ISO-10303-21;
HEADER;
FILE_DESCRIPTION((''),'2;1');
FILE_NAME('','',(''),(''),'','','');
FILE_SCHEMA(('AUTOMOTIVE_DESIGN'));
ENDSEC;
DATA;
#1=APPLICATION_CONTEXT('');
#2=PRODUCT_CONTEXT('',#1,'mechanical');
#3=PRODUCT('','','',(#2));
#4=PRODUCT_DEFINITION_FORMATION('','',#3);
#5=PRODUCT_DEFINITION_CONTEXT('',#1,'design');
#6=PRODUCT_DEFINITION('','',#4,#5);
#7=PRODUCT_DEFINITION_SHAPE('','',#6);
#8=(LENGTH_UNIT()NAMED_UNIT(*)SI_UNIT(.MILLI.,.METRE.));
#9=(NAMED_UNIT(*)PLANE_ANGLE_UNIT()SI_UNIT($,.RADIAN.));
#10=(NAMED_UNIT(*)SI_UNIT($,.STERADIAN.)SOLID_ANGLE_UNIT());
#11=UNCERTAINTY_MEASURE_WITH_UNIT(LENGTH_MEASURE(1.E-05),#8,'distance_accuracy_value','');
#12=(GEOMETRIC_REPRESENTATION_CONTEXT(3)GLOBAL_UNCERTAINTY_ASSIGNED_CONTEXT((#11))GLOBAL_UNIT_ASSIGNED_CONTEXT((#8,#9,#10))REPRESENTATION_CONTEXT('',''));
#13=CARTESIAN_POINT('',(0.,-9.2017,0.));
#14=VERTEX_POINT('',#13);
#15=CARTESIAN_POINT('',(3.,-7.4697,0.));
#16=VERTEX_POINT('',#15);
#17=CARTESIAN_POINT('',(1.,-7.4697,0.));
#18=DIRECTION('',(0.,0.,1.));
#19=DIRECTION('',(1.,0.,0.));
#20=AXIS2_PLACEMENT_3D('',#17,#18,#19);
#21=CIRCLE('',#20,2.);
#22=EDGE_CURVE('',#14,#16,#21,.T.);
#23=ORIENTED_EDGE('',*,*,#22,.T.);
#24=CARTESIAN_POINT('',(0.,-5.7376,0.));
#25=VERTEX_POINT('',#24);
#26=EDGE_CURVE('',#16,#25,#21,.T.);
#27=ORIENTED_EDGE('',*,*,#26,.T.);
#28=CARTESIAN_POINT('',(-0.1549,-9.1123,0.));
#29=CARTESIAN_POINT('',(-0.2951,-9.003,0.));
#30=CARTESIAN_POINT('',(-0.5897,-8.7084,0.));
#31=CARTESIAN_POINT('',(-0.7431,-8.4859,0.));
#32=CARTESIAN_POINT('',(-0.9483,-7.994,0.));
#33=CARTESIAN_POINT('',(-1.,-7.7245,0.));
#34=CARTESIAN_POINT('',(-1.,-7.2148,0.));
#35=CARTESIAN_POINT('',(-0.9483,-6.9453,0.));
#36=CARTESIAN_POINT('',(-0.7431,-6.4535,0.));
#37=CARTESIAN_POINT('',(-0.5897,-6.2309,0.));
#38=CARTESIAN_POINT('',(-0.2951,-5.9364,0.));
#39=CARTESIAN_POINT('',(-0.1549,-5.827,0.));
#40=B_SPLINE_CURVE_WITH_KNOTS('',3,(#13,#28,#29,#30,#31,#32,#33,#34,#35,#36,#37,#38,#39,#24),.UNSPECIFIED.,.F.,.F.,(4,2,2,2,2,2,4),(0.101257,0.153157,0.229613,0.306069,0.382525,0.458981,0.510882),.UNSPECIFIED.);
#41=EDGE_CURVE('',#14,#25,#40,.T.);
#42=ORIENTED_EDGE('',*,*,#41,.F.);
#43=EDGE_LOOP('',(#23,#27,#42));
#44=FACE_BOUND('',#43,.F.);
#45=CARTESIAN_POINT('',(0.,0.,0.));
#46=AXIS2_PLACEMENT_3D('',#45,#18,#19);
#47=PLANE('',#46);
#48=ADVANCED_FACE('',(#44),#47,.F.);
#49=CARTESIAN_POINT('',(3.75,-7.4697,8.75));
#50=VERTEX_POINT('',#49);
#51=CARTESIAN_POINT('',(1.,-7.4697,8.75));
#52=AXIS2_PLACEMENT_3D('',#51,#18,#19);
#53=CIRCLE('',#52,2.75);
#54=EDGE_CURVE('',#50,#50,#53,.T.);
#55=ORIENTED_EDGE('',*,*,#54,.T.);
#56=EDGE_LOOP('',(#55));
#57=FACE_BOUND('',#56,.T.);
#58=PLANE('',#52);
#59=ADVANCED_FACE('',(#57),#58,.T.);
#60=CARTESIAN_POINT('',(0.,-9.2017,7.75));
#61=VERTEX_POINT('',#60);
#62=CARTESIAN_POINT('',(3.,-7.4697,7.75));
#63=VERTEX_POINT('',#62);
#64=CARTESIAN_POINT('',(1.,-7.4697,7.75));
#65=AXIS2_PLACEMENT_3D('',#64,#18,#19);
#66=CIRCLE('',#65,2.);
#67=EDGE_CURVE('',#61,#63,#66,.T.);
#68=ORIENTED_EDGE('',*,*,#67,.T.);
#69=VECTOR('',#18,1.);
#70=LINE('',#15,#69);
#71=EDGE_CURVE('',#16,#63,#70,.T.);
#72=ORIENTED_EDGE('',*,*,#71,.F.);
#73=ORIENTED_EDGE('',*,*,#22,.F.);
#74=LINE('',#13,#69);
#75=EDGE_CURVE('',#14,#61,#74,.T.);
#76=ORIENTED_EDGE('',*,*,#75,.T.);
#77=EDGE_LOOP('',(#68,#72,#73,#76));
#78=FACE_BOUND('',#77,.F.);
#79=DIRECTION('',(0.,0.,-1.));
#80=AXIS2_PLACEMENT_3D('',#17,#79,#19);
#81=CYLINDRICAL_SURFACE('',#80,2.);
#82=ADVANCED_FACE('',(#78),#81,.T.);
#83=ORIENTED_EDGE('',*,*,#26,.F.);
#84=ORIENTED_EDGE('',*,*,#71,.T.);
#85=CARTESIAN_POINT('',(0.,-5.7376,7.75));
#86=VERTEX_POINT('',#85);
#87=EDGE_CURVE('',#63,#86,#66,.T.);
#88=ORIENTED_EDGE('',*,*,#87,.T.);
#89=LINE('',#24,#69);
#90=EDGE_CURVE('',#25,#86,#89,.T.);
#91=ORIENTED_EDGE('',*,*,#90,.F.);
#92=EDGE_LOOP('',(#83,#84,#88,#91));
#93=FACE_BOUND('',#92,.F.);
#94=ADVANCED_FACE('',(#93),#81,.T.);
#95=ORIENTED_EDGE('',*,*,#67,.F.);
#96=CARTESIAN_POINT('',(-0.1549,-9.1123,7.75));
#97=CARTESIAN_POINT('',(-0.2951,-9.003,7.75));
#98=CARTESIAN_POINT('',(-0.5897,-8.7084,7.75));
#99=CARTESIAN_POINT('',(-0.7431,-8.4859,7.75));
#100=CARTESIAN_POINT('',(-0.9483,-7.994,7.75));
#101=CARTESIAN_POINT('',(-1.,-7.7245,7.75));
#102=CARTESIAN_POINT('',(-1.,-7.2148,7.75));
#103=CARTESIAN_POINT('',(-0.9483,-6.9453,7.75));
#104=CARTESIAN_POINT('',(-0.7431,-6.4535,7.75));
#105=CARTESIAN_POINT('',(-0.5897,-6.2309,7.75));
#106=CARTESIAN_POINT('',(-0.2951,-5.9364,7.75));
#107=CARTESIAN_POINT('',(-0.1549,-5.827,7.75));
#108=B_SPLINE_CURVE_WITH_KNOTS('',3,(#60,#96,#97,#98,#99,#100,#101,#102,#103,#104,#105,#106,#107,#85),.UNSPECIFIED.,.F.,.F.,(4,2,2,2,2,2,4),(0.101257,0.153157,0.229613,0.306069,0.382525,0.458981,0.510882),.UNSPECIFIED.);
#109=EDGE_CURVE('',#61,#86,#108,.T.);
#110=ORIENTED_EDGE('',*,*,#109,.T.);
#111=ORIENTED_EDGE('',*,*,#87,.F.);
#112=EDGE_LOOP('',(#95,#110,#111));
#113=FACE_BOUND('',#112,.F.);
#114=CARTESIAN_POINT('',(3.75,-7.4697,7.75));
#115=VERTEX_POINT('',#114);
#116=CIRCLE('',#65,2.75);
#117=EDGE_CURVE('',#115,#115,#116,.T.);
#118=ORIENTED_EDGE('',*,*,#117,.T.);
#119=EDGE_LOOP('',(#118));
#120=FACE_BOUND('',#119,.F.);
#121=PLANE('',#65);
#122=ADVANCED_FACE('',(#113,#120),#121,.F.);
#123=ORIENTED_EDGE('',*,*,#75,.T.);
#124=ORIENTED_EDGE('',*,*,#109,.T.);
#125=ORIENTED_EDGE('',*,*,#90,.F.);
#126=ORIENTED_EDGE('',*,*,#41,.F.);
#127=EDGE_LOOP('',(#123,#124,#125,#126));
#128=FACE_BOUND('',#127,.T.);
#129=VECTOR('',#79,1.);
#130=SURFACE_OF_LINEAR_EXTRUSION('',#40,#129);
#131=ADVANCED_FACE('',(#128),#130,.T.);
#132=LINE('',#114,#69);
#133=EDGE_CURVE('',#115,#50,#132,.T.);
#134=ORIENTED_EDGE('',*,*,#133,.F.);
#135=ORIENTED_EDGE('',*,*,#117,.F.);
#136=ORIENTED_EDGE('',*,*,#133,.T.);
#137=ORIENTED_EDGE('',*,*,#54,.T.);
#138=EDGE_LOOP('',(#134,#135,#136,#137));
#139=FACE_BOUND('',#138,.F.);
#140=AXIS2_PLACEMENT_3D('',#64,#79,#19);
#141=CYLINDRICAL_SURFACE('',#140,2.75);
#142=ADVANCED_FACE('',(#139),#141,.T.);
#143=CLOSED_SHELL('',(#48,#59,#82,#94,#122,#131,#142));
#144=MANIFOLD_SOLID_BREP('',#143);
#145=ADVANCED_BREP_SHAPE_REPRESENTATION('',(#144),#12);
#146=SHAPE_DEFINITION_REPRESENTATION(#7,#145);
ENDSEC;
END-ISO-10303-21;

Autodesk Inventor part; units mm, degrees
ref_plane "YZ Plane" through (0, 0, 0) normal (1, 0, 0) x (0, 1, 0)
ref_plane "XZ Plane" through (0, 0, 0) normal (0, 1, 0) x (-1, 0, 0)
ref_plane "XY Plane" through (0, 0, 0) normal (0, 0, 1) x (1, 0, 0)
sketch "Sketch1" plane through (0, 0, 0) normal (0, 0, 1) x (1, 0, 0)
  spline S0 degree 3 poles (0, -9.2017) (-0.1549, -9.1123) (-0.2951, -9.003) (-0.5897, -8.7084) (-0.7431, -8.4859) (-0.9483, -7.994) (-1, -7.7245) (-1, -7.2148) (-0.9483, -6.9453) (-0.7431, -6.4535) (-0.5897, -6.2309) (-0.2951, -5.9364) (-0.1549, -5.827) (0, -5.7376) knots 0.101257 0.101257 0.101257 0.101257 0.153157 0.153157 0.229613 0.229613 0.306069 0.306069 0.382525 0.382525 0.458981 0.458981 0.510882 0.510882 0.510882 0.510882 projected
  line L0 (0, -11.8572) -> (0, -9.2017) projected
  line L1 (0, -11.8572) -> (4, -11.8572) projected
  spline S1 degree 3 poles (5, -10.8238) (5, -10.9525) (4.9711, -11.1043) (4.8761, -11.34) (4.7944, -11.4663) (4.6201, -11.6458) (4.4966, -11.7308) (4.2682, -11.8276) (4.1233, -11.8572) (4, -11.8572) knots 0.455708 0.455708 0.455708 0.455708 0.494332 0.494332 0.531937 0.531937 0.569404 0.569404 0.606379 0.606379 0.606379 0.606379 projected
  line L2 (5, -4.1156) -> (5, -10.8238) projected
  spline S2 degree 3 poles (4, -3.0822) (4.1233, -3.0822) (4.2682, -3.1118) (4.4966, -3.2086) (4.6201, -3.2936) (4.7944, -3.4731) (4.8761, -3.5994) (4.9711, -3.8351) (5, -3.9868) (5, -4.1156) knots 0.606379 0.606379 0.606379 0.606379 0.643354 0.643354 0.680821 0.680821 0.718427 0.718427 0.75705 0.75705 0.75705 0.75705 projected
  line L3 (4, -3.0822) -> (0, -3.0822) projected
  line L4 (0, -5.7376) -> (0, -3.0822) projected
  arc A0 (0, -5.7376) -> (0, -9.2017) centre (1, -7.4697) ccw projected
  circle A1 centre (1, -7.4697) radius 2
  point P0 (0, 0)
  dimension "d0" = 4
extrude "Extrusion1" add sketch "Sketch1" along normal blind 7.75 contours S0 A1
sketch "Sketch2" plane through (1, -7.4697, 7.75) normal (0, 0, 1) x (1, 0, 0)
  circle A0 centre (0, 0) radius 2.75
  point P0 (-1, 7.4697)
  dimension "d3" = 5.5
extrude "Extrusion2" add sketch "Sketch2" along normal blind 1
properties part number "PinLarge"
